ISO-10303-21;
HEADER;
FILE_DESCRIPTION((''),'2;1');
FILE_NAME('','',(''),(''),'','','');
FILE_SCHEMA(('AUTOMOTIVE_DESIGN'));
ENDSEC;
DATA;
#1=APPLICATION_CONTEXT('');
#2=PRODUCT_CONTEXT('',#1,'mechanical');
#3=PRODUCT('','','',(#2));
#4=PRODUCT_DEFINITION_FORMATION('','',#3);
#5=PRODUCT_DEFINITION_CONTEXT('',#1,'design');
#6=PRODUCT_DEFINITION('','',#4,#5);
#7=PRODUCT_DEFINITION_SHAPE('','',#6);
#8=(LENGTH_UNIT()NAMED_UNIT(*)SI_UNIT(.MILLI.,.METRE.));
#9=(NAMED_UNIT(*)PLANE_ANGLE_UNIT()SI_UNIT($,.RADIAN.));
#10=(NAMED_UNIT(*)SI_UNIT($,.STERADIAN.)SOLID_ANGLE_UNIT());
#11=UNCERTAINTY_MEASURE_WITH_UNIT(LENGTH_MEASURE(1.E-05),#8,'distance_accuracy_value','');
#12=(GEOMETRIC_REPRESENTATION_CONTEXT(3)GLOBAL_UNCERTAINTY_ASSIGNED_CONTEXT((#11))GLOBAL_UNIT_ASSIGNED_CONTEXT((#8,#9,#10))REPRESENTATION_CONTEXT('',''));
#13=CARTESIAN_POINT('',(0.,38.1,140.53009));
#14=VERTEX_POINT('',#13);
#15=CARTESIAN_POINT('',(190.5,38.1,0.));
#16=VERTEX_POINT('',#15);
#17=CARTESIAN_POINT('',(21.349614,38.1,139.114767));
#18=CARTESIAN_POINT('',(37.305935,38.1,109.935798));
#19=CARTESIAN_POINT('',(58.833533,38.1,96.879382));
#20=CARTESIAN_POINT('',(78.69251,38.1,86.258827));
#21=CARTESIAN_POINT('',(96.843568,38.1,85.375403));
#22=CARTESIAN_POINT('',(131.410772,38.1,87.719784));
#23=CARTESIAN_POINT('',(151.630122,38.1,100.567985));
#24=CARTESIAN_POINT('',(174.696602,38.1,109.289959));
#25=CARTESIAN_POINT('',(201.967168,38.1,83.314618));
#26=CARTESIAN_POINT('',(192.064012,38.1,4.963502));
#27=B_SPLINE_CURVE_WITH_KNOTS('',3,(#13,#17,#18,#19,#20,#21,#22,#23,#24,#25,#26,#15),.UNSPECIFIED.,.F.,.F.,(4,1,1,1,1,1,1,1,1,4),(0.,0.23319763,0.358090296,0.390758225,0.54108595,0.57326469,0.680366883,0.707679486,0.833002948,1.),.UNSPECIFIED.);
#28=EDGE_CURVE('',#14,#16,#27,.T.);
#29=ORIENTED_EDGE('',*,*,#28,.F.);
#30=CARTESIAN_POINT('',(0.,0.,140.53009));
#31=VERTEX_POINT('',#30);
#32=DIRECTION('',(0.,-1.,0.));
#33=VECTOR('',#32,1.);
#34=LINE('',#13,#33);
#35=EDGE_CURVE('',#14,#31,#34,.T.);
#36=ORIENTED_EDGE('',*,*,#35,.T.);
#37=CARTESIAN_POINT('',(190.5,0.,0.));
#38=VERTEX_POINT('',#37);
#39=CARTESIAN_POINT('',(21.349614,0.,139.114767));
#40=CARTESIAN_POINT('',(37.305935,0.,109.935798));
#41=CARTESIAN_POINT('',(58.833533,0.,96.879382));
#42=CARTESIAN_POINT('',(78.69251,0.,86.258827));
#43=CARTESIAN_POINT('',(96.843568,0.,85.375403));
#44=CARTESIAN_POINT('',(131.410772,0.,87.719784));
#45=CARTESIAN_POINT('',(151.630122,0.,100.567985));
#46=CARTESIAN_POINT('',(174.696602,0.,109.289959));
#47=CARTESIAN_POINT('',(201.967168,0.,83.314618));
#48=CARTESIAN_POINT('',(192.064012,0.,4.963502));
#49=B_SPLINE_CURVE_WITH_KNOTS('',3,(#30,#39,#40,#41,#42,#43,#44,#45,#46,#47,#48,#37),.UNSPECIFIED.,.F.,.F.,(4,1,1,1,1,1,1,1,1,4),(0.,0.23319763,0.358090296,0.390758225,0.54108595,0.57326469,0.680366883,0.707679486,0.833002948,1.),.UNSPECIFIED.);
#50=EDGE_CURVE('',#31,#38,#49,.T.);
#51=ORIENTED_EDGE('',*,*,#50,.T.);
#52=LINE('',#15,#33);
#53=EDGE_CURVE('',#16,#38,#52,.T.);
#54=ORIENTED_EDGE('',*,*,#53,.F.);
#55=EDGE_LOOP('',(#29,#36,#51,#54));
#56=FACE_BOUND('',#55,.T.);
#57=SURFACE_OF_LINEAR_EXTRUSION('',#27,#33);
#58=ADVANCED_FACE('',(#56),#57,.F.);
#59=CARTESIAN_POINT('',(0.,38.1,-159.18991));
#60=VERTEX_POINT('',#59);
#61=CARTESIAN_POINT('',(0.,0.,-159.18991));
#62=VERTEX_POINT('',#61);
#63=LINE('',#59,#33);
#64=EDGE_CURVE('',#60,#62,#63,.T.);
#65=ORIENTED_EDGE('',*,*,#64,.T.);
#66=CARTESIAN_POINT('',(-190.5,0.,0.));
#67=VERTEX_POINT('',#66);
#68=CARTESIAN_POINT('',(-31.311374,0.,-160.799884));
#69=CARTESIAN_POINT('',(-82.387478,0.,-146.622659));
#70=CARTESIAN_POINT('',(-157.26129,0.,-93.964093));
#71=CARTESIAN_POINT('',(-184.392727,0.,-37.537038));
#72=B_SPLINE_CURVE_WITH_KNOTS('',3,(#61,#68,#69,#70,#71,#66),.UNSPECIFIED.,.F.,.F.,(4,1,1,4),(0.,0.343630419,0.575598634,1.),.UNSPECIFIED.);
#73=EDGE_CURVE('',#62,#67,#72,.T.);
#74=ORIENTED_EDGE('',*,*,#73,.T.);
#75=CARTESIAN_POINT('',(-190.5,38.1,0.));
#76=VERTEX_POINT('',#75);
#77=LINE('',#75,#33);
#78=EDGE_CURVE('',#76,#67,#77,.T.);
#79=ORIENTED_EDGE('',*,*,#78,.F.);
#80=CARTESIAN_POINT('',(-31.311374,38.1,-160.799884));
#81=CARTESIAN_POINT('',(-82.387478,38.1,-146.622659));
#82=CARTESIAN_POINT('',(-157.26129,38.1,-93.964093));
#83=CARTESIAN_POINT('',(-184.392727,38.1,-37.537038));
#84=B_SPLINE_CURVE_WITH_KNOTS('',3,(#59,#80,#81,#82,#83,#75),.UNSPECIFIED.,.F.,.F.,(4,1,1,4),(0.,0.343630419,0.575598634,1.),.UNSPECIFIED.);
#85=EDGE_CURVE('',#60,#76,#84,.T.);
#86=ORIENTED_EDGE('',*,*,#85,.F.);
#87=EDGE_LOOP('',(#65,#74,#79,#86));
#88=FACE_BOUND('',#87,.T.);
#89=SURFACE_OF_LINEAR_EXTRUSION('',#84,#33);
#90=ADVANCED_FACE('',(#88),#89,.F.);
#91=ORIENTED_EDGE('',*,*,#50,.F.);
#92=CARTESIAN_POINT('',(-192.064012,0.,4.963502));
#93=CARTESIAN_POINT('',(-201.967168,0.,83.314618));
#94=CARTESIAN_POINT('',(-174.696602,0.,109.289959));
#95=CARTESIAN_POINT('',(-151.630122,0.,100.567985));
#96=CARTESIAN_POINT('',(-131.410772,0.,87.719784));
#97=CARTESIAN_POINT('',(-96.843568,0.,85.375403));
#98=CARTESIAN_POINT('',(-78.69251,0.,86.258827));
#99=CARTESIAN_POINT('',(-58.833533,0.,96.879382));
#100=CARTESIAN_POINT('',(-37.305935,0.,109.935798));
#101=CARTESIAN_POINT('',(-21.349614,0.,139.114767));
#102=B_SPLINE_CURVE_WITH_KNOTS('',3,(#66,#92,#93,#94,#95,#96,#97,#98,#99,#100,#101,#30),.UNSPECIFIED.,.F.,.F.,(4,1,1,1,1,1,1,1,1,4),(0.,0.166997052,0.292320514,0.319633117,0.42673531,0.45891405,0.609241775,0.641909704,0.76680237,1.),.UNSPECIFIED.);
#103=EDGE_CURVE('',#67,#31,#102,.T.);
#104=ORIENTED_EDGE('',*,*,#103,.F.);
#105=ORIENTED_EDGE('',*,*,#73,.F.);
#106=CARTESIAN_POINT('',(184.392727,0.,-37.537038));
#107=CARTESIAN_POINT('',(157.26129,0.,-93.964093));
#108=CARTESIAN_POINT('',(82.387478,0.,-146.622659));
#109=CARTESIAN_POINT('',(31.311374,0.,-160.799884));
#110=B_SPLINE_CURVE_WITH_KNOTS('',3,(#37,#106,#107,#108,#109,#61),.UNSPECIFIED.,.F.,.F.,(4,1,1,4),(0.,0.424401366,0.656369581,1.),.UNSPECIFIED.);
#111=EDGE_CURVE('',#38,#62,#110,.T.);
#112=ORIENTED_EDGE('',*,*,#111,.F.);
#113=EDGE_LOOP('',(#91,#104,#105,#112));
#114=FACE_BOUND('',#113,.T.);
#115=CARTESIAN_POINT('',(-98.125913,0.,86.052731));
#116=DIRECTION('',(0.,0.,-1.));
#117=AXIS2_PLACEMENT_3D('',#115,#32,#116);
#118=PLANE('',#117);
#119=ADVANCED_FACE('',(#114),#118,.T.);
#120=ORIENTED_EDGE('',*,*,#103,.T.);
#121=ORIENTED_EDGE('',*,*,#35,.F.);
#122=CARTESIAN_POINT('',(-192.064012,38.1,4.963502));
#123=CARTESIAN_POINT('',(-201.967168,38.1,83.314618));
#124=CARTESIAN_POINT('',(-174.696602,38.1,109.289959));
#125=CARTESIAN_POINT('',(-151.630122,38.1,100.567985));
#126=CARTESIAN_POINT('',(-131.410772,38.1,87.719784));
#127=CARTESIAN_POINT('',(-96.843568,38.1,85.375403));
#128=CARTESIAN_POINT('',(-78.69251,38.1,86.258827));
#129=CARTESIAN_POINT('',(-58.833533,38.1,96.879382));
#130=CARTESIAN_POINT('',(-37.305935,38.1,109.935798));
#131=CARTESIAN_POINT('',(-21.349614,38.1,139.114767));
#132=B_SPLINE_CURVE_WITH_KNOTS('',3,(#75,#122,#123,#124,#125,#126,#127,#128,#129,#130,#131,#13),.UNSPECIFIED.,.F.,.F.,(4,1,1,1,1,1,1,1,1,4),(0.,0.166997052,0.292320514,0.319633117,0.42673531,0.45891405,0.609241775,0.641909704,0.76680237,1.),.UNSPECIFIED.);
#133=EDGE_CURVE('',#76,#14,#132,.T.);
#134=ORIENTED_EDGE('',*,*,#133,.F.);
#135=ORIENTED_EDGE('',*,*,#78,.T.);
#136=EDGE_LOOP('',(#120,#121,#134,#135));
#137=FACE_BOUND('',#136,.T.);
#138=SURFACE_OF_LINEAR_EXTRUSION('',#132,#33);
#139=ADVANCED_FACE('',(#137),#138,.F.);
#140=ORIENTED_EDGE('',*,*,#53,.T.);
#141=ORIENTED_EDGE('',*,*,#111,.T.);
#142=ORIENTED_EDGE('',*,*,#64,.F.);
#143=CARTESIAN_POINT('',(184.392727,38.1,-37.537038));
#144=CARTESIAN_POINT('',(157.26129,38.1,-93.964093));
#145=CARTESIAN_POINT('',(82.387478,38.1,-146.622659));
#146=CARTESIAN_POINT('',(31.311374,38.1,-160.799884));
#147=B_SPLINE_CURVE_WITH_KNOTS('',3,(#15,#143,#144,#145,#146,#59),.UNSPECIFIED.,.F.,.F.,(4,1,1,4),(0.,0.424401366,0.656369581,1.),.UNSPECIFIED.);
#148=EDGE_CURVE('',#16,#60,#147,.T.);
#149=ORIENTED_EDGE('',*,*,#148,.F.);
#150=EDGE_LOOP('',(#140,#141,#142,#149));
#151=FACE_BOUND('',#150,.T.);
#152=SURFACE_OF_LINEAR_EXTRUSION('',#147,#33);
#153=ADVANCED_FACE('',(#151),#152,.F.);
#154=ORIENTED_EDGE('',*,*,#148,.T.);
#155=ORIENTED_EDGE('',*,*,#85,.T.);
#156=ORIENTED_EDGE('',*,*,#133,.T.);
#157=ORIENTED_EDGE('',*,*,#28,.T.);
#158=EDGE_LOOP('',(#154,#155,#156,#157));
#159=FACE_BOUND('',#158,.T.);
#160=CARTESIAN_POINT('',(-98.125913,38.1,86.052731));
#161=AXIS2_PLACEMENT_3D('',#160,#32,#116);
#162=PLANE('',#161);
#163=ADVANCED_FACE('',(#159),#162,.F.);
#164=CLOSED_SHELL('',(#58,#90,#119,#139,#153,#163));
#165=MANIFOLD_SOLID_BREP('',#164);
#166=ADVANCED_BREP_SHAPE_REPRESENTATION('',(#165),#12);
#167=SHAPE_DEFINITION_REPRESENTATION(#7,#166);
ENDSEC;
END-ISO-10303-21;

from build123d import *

# Parameters (mm, degrees)
BOSS_EXTRUDE1_DEPTH = 38.1


with BuildPart() as part:
    # Sketch3 → Boss-Extrude1 (new body)
    with BuildSketch(Plane(origin=(0, 0, 0), x_dir=(1, 0, 0), z_dir=(0, 1, 0))):
        with BuildLine():
            add(Edge.make_bspline(
                [(-190.5, 0), (-184.392726562, 37.537038237), (-157.261289847, 93.964093485), (-82.387478202, 146.622658841), (-31.311374143, 160.799884185), (0, 159.189909928)],
                knots=[0, 0, 0, 0, 0.424401366, 0.656369581, 1, 1, 1, 1], degree=3))
            add(Edge.make_bspline(
                [(190.5, 0), (184.392726562, 37.537038237), (157.261289847, 93.964093485), (82.387478202, 146.622658841), (31.311374143, 160.799884185), (0, 159.189909928)],
                knots=[0, 0, 0, 0, 0.424401366, 0.656369581, 1, 1, 1, 1], degree=3))
            add(Edge.make_bspline(
                [(190.5, 0), (192.064011793, -4.963501926), (201.967167766, -83.314618311), (174.696602041, -109.289958804), (151.630121659, -100.567984898), (131.410771519, -87.719783961), (96.843567628, -85.375403377), (78.692510144, -86.25882742), (58.833533072, -96.87938247), (37.30593461, -109.935798162), (21.349613946, -139.114767457), (0, -140.530090072)],
                knots=[0, 0, 0, 0, 0.166997052, 0.292320514, 0.319633117, 0.42673531, 0.45891405, 0.609241775, 0.641909704, 0.76680237, 1, 1, 1, 1], degree=3))
            add(Edge.make_bspline(
                [(-190.5, 0), (-192.064011793, -4.963501926), (-201.967167766, -83.314618311), (-174.696602041, -109.289958804), (-151.630121659, -100.567984898), (-131.410771519, -87.719783961), (-96.843567628, -85.375403377), (-78.692510144, -86.25882742), (-58.833533072, -96.87938247), (-37.30593461, -109.935798162), (-21.349613946, -139.114767457), (0, -140.530090072)],
                knots=[0, 0, 0, 0, 0.166997052, 0.292320514, 0.319633117, 0.42673531, 0.45891405, 0.609241775, 0.641909704, 0.76680237, 1, 1, 1, 1], degree=3))
        make_face()
    extrude(amount=BOSS_EXTRUDE1_DEPTH)


solid = part.part
